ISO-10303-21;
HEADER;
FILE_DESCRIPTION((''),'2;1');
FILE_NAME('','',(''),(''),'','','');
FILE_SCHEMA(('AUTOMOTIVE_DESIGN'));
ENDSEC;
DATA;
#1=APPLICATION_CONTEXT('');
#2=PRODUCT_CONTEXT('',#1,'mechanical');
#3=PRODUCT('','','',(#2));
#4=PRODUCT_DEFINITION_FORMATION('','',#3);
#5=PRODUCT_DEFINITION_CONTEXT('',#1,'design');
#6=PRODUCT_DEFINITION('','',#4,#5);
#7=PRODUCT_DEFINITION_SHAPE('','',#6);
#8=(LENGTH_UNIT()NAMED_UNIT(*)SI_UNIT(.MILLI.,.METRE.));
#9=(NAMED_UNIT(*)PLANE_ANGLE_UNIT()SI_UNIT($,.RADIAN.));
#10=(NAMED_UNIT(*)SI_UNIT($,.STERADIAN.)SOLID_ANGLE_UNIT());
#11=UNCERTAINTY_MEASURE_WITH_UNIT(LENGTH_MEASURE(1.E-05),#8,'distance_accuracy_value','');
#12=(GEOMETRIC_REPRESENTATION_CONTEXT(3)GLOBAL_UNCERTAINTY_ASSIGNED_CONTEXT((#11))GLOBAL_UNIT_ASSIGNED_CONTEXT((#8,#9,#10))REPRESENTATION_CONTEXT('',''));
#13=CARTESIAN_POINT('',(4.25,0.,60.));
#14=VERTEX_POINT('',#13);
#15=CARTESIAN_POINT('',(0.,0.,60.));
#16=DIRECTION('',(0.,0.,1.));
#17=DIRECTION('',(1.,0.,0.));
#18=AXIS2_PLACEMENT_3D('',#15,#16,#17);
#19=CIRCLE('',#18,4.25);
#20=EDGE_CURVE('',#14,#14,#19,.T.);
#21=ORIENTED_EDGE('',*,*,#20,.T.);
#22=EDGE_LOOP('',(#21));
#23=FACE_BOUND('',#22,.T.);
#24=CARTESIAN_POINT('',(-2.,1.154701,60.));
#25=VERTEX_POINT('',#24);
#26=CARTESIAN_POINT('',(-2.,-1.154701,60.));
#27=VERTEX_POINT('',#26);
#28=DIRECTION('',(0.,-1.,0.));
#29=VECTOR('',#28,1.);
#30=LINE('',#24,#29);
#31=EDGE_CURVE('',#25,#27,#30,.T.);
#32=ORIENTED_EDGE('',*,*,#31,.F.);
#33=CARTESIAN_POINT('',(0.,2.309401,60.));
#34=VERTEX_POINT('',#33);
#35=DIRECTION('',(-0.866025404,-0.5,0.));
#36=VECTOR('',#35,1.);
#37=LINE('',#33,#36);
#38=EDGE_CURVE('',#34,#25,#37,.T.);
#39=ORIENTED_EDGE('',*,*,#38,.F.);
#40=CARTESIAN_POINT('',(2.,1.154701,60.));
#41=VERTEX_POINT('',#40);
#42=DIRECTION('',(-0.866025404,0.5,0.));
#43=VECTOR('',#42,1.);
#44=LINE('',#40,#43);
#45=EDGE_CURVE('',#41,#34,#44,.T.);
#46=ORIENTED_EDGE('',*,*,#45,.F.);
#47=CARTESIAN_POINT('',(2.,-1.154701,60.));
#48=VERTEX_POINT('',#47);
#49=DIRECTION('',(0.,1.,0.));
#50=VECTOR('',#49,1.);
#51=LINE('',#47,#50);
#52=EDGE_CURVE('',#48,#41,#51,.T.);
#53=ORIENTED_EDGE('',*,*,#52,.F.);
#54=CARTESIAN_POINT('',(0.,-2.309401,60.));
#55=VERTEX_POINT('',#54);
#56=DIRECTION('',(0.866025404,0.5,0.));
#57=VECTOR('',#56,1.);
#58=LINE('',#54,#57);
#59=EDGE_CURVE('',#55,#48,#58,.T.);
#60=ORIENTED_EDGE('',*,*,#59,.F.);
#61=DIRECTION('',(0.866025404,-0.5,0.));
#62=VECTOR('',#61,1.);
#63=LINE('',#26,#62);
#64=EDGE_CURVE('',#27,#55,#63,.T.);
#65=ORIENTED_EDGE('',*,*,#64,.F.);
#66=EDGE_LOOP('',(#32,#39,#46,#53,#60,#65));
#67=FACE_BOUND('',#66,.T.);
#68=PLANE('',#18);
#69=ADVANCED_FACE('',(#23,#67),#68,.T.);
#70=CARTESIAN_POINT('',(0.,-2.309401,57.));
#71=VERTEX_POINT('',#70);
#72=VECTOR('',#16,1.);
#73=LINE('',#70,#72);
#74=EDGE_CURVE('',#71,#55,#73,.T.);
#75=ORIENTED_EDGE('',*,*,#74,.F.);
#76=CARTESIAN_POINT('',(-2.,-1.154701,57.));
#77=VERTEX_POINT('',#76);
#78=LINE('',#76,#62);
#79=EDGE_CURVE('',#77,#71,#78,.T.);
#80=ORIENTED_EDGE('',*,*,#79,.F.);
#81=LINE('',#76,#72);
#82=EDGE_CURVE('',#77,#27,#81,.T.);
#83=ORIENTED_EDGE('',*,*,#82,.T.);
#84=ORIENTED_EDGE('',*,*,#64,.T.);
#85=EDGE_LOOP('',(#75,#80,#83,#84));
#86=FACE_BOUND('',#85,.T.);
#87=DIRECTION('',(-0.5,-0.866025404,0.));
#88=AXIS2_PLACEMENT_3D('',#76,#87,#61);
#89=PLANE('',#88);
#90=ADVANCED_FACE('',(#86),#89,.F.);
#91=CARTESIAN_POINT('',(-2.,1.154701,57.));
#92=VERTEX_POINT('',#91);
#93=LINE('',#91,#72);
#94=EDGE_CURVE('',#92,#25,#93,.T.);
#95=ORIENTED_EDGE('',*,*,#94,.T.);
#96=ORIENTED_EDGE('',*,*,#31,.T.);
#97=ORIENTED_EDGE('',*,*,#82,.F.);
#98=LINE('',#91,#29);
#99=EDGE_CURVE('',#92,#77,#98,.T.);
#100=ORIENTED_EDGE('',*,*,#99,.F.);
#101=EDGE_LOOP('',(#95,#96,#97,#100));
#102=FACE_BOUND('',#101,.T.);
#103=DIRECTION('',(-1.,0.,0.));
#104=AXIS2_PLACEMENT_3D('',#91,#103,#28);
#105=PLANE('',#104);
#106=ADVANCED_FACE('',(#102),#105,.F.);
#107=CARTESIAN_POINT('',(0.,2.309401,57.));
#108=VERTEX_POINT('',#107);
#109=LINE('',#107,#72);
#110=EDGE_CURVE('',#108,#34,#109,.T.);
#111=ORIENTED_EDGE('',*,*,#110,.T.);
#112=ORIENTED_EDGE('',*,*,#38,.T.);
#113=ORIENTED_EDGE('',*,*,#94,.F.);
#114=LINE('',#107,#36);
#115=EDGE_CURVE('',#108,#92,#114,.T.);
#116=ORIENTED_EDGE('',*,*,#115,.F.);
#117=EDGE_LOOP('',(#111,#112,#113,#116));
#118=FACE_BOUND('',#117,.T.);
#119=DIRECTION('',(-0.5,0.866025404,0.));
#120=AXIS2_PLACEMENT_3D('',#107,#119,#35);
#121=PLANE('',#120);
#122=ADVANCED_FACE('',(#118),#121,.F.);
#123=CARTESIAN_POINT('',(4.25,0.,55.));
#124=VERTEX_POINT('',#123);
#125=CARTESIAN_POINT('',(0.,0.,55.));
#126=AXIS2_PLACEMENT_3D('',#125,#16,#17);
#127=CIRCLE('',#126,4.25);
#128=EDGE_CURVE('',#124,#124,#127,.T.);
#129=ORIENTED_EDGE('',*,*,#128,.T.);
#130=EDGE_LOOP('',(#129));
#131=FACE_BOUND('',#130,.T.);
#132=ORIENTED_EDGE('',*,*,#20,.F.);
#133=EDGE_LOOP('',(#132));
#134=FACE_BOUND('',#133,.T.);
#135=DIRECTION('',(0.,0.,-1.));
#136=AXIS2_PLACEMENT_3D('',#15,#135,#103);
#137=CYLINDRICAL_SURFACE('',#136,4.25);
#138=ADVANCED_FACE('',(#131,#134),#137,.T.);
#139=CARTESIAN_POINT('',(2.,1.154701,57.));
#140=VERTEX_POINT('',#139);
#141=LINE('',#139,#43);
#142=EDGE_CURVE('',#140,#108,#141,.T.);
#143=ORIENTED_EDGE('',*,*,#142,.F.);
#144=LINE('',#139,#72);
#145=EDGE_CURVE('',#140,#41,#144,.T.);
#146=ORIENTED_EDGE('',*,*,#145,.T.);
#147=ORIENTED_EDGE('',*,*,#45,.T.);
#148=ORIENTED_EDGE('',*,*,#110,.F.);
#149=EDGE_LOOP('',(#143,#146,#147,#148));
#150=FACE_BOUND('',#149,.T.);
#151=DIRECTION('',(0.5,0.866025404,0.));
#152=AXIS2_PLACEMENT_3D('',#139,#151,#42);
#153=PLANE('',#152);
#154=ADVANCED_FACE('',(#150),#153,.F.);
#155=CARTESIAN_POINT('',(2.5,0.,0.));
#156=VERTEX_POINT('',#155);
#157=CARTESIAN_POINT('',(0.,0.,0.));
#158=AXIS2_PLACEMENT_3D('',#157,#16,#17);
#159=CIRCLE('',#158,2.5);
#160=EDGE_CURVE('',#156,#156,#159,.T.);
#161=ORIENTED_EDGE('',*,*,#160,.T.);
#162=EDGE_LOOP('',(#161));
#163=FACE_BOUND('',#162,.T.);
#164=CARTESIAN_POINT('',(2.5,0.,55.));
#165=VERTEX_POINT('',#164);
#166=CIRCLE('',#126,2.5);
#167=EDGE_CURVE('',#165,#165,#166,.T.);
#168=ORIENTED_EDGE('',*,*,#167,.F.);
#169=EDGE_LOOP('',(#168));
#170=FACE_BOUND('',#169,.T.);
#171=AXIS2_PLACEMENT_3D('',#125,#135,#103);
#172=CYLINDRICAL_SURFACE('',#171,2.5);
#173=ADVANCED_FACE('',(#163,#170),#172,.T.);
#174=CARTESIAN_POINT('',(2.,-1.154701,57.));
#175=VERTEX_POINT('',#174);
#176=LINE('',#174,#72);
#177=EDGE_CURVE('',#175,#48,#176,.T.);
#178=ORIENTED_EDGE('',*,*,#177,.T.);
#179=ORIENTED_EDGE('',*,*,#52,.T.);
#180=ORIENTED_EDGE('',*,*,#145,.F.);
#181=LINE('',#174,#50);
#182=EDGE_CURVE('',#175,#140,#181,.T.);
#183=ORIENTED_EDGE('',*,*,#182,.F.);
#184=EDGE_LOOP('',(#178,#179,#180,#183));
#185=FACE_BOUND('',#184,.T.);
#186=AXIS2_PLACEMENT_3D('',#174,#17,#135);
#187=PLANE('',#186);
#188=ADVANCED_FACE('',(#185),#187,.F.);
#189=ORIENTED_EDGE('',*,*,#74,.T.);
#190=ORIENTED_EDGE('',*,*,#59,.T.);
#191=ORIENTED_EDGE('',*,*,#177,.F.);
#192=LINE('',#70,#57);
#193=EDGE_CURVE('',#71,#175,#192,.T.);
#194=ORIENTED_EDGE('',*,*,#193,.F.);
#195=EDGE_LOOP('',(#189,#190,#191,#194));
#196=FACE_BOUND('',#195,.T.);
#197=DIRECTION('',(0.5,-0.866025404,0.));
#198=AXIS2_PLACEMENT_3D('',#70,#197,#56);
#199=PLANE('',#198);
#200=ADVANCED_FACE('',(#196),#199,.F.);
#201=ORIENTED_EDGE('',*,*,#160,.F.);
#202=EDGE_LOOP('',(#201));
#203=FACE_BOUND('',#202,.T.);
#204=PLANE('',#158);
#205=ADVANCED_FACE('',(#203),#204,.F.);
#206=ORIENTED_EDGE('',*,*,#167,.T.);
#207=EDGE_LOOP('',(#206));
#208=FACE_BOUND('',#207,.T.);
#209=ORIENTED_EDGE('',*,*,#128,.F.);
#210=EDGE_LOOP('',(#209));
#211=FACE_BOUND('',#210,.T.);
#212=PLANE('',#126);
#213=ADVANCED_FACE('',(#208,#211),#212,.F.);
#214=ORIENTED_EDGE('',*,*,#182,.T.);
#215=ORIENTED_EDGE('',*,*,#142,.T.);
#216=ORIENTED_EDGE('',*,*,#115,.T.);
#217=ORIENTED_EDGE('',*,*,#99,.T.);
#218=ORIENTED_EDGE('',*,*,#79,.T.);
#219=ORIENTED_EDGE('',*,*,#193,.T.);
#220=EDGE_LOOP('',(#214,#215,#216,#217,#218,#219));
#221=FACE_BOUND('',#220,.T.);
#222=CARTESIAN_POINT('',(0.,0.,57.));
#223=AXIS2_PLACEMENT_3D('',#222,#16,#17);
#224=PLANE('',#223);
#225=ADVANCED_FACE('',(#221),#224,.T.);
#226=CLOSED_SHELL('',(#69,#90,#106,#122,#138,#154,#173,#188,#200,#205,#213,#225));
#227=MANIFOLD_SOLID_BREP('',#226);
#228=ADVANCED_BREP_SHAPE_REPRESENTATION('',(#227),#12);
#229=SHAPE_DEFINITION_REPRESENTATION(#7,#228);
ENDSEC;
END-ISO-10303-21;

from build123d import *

# Parameters (mm, degrees)
SKETCH_1_R          = 2.5
EXTRUDE_1_DEPTH     = 55
SKETCH_2_R          = 4.25
EXTRUDE_2_DEPTH     = 5
CUT_EXTRUDE_1_DEPTH = 3


with BuildPart() as part:
    # ｽｹｯﾁ1 → ﾎﾞｽ - 押し出し1 (new body)
    with BuildSketch(Plane.XY):
        Circle(SKETCH_1_R)
    extrude(amount=EXTRUDE_1_DEPTH)

    # ｽｹｯﾁ2 → ﾎﾞｽ - 押し出し2 (add)
    with BuildSketch(Plane.XY.offset(55)):
        Circle(SKETCH_2_R)
    extrude(amount=EXTRUDE_2_DEPTH)

    # ｽｹｯﾁ3 → ｶｯﾄ - 押し出し1 (cut)
    with BuildSketch(Plane.XY.offset(60)):
        Polygon((0, 2.309401077), (-2, 1.154700538), (-2, -1.154700538), (0, -2.309401077), (2, -1.154700538), (2, 1.154700538), align=None)
    extrude(amount=-CUT_EXTRUDE_1_DEPTH, mode=Mode.SUBTRACT)


solid = part.part
